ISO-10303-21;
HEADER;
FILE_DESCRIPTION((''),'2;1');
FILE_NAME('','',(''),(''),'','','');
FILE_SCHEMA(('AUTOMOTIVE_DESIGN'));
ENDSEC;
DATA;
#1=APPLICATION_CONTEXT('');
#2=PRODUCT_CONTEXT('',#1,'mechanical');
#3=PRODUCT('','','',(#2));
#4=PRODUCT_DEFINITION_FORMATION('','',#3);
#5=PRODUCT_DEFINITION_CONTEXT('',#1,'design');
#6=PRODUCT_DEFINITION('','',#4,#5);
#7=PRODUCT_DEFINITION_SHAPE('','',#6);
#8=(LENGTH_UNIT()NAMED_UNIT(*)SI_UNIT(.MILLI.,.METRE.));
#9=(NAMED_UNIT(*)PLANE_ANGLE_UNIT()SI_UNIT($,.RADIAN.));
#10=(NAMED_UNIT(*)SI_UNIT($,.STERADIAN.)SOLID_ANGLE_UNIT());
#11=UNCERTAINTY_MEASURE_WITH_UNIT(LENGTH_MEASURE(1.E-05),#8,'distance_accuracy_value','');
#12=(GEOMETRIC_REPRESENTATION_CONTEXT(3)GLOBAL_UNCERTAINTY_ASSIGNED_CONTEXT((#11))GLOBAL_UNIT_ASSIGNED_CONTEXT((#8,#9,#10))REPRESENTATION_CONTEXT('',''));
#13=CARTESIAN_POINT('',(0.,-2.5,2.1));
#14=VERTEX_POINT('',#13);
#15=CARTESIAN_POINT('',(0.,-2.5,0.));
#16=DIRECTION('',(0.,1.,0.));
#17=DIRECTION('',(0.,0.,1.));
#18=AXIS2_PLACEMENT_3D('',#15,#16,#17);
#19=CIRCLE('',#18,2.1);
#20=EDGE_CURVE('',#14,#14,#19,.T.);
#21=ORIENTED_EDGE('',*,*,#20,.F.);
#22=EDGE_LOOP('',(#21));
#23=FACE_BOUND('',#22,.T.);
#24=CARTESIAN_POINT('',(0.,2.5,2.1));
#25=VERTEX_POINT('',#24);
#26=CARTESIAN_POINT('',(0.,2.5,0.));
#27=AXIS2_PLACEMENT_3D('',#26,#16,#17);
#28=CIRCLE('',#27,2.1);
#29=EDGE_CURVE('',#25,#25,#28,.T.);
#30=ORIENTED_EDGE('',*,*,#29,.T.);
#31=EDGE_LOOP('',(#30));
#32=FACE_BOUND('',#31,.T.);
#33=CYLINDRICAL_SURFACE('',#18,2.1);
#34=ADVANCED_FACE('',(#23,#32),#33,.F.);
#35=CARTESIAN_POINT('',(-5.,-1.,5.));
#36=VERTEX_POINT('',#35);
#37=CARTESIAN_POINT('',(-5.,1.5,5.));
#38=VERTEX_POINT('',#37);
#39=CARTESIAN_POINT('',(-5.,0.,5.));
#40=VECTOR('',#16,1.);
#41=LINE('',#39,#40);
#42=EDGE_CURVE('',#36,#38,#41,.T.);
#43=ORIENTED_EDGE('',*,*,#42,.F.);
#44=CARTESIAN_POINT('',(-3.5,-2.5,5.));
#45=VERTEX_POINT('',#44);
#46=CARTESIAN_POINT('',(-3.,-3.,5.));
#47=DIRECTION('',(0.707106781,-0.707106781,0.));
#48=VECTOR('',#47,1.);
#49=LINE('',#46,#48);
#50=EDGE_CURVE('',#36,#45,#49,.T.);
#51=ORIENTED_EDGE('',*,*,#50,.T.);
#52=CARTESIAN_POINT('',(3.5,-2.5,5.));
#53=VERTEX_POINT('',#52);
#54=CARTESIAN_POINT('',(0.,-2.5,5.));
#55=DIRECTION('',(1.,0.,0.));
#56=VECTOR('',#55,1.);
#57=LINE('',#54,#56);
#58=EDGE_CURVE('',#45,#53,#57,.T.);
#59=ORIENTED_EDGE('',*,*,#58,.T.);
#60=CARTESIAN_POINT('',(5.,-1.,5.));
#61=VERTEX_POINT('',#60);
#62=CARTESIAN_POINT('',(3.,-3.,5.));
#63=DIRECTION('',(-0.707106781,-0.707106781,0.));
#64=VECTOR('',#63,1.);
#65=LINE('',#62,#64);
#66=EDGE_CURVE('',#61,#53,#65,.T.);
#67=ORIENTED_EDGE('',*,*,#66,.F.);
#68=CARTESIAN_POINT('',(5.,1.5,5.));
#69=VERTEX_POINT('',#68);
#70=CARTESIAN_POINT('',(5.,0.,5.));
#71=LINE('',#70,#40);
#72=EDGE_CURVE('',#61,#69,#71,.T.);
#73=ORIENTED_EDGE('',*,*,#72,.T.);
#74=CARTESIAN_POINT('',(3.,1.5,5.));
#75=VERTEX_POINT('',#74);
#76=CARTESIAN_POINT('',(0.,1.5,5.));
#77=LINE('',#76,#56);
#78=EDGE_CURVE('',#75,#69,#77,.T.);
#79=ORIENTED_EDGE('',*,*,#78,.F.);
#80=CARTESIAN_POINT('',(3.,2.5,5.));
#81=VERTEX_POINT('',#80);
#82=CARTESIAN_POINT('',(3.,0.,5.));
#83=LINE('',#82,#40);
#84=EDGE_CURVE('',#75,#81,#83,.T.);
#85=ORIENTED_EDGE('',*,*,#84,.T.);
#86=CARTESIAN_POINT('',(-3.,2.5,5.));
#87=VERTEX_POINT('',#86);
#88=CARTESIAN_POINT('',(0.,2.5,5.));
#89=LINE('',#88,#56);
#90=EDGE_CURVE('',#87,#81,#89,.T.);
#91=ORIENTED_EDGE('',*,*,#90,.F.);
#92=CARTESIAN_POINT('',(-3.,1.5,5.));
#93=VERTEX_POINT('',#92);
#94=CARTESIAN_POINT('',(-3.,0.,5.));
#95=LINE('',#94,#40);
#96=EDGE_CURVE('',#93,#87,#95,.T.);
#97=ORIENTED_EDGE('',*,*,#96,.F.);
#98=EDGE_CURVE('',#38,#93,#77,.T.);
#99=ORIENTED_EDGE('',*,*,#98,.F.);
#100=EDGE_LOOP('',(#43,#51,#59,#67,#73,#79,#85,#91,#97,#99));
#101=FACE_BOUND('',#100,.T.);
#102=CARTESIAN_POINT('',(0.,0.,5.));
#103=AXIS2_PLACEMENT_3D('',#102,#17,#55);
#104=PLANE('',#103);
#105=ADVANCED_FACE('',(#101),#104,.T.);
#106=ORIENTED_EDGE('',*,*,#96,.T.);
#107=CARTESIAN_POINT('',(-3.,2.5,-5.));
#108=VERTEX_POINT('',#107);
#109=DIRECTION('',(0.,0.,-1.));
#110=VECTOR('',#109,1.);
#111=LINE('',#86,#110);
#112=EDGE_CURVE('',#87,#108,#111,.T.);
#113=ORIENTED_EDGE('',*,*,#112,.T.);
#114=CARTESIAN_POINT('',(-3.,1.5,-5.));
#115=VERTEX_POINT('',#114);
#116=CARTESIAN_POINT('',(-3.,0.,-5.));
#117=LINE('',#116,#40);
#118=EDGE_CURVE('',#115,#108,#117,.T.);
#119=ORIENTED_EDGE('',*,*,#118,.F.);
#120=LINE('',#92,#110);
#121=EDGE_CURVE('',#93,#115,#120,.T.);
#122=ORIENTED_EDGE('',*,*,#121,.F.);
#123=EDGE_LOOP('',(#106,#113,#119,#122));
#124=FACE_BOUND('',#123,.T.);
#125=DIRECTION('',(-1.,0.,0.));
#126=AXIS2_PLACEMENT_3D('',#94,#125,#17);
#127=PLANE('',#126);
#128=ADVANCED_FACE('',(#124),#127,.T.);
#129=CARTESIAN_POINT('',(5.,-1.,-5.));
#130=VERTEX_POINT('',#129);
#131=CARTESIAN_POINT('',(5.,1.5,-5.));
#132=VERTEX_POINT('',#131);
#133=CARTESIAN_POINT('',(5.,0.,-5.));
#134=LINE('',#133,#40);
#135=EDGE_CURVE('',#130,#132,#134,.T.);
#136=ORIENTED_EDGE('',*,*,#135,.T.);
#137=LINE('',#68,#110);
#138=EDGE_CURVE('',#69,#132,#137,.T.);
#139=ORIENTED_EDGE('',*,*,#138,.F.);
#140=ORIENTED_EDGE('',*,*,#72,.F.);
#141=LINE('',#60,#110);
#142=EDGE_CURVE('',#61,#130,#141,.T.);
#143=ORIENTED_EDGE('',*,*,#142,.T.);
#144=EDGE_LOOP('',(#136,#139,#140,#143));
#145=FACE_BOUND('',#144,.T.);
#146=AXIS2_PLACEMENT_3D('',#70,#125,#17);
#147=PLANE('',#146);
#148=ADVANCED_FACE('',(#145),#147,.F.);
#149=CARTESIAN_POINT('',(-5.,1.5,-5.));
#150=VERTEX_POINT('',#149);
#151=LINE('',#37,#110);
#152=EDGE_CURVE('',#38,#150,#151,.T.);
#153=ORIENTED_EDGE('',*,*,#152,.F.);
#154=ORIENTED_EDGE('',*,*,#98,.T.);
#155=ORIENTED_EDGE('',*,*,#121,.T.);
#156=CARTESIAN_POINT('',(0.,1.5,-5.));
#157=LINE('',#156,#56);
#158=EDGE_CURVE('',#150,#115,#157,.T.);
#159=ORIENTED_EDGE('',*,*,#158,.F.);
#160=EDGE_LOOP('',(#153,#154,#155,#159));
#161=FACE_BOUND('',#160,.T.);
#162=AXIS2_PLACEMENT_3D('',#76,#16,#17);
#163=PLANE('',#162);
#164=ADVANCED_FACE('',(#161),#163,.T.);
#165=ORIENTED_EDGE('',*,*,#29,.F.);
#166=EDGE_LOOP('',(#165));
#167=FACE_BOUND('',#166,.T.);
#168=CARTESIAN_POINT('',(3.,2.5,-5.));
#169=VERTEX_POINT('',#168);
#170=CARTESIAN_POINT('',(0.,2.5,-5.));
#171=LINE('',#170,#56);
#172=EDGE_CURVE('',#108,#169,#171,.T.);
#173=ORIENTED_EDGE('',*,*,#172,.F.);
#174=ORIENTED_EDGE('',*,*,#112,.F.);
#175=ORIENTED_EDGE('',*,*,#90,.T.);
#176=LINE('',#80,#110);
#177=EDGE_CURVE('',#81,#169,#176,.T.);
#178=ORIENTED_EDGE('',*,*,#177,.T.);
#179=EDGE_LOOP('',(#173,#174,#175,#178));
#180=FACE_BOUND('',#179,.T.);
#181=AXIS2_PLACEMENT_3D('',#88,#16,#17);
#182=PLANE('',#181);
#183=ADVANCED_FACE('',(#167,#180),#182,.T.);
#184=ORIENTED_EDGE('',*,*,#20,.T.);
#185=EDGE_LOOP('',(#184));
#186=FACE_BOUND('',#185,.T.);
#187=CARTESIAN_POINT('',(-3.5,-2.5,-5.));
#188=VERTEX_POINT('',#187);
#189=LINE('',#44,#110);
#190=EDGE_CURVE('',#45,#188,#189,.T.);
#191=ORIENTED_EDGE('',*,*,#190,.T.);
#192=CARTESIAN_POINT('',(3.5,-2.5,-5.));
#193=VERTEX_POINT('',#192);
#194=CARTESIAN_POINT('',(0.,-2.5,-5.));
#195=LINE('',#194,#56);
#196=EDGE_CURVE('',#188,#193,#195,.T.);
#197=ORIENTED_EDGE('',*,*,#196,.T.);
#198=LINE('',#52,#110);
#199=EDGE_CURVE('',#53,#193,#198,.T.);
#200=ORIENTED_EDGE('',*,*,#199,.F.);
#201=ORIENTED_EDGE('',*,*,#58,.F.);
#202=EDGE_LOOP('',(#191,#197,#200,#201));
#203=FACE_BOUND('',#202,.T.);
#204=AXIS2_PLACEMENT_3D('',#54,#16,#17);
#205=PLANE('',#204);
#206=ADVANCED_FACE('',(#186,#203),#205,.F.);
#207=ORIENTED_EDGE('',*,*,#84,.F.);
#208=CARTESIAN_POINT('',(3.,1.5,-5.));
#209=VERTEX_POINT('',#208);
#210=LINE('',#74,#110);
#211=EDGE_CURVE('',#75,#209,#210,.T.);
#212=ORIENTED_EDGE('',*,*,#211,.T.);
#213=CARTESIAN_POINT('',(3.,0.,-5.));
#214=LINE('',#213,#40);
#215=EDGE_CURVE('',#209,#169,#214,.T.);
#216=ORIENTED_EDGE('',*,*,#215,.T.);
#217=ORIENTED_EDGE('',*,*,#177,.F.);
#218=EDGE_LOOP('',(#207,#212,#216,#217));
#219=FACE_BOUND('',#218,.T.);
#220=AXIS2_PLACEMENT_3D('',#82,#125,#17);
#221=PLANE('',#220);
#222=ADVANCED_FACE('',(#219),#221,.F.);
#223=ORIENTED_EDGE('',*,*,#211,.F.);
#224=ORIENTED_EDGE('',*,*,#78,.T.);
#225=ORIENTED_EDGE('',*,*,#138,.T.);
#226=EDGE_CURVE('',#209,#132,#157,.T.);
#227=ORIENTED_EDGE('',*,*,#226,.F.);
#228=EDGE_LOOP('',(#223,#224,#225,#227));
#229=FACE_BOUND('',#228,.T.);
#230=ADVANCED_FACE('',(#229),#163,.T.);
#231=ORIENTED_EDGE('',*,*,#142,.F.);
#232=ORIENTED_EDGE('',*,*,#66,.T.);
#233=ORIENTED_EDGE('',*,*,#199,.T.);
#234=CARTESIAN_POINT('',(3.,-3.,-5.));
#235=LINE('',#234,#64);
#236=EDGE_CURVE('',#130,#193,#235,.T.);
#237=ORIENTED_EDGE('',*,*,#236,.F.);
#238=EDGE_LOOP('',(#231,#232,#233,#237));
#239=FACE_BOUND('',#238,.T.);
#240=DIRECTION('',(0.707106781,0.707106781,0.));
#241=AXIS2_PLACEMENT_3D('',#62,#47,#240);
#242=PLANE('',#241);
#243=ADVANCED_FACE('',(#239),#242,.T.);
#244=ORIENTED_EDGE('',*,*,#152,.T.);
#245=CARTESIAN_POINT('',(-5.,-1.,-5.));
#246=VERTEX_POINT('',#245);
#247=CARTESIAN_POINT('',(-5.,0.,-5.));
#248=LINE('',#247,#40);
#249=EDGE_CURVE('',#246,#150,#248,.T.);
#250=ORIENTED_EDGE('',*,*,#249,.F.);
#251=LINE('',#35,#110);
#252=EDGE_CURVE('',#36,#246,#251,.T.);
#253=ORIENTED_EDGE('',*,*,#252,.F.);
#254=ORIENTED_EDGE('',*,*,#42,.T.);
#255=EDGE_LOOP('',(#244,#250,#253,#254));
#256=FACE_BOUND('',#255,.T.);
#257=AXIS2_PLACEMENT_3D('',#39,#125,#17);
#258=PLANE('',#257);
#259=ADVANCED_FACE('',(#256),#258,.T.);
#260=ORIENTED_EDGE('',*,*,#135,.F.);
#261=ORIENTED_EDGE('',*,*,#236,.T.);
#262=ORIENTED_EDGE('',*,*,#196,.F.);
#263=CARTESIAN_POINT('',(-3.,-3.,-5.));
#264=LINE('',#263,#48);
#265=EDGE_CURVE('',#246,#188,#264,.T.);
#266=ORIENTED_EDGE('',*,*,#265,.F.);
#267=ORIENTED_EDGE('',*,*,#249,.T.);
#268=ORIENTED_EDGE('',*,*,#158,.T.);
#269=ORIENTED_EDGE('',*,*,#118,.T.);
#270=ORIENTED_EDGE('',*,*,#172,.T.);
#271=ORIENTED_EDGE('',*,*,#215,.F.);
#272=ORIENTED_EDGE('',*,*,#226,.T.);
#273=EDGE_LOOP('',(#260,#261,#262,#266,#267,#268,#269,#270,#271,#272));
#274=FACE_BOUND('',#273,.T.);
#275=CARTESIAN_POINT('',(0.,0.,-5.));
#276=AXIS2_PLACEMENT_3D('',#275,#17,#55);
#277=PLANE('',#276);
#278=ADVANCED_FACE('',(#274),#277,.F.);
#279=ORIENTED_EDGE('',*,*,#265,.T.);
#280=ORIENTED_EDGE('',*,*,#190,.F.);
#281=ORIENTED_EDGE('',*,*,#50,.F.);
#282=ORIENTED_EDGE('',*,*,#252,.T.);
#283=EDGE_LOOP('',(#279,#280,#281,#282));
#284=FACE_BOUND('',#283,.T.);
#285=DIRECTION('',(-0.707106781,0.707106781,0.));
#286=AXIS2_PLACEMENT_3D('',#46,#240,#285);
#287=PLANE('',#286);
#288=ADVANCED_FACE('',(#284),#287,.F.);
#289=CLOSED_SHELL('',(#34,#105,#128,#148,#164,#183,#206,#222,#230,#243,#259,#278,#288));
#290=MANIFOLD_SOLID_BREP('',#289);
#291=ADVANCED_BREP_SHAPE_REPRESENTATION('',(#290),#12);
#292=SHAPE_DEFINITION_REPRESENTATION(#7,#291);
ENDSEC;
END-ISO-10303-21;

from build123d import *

# Parameters (mm, degrees)
SKETCH1_W           = 6
SKETCH1_H           = 4
SKETCH1_H_2         = 1
BOSS_EXTRUDE1_DEPTH = 5
SKETCH2_R           = 2.1
CUT_EXTRUDE1_DEPTH  = 6


with BuildPart() as part:
    # Sketch1 → Boss-Extrude1 (new body, symmetric)
    with BuildSketch(Plane.XY):
        Polygon((-5, 1.5), (-5, -1), (-3.5, -2.5), (-3, -2.5), (-3, 1.5), align=None)
        with Locations((0, -0.5)):
            Rectangle(SKETCH1_W, SKETCH1_H)
        with Locations((0, 2)):
            Rectangle(SKETCH1_W, SKETCH1_H_2)
        Polygon((3, 1.5), (3, -2.5), (3.5, -2.5), (5, -1), (5, 1.5), align=None)
    extrude(amount=BOSS_EXTRUDE1_DEPTH, both=True)

    # Sketch2 → Cut-Extrude1 (cut, through all)
    with BuildSketch(Plane(origin=(0, 2.5, 0), x_dir=(1, 0, 0), z_dir=(0, 1, 0))):
        Circle(SKETCH2_R)
    extrude(amount=-CUT_EXTRUDE1_DEPTH, mode=Mode.SUBTRACT)


solid = part.part
